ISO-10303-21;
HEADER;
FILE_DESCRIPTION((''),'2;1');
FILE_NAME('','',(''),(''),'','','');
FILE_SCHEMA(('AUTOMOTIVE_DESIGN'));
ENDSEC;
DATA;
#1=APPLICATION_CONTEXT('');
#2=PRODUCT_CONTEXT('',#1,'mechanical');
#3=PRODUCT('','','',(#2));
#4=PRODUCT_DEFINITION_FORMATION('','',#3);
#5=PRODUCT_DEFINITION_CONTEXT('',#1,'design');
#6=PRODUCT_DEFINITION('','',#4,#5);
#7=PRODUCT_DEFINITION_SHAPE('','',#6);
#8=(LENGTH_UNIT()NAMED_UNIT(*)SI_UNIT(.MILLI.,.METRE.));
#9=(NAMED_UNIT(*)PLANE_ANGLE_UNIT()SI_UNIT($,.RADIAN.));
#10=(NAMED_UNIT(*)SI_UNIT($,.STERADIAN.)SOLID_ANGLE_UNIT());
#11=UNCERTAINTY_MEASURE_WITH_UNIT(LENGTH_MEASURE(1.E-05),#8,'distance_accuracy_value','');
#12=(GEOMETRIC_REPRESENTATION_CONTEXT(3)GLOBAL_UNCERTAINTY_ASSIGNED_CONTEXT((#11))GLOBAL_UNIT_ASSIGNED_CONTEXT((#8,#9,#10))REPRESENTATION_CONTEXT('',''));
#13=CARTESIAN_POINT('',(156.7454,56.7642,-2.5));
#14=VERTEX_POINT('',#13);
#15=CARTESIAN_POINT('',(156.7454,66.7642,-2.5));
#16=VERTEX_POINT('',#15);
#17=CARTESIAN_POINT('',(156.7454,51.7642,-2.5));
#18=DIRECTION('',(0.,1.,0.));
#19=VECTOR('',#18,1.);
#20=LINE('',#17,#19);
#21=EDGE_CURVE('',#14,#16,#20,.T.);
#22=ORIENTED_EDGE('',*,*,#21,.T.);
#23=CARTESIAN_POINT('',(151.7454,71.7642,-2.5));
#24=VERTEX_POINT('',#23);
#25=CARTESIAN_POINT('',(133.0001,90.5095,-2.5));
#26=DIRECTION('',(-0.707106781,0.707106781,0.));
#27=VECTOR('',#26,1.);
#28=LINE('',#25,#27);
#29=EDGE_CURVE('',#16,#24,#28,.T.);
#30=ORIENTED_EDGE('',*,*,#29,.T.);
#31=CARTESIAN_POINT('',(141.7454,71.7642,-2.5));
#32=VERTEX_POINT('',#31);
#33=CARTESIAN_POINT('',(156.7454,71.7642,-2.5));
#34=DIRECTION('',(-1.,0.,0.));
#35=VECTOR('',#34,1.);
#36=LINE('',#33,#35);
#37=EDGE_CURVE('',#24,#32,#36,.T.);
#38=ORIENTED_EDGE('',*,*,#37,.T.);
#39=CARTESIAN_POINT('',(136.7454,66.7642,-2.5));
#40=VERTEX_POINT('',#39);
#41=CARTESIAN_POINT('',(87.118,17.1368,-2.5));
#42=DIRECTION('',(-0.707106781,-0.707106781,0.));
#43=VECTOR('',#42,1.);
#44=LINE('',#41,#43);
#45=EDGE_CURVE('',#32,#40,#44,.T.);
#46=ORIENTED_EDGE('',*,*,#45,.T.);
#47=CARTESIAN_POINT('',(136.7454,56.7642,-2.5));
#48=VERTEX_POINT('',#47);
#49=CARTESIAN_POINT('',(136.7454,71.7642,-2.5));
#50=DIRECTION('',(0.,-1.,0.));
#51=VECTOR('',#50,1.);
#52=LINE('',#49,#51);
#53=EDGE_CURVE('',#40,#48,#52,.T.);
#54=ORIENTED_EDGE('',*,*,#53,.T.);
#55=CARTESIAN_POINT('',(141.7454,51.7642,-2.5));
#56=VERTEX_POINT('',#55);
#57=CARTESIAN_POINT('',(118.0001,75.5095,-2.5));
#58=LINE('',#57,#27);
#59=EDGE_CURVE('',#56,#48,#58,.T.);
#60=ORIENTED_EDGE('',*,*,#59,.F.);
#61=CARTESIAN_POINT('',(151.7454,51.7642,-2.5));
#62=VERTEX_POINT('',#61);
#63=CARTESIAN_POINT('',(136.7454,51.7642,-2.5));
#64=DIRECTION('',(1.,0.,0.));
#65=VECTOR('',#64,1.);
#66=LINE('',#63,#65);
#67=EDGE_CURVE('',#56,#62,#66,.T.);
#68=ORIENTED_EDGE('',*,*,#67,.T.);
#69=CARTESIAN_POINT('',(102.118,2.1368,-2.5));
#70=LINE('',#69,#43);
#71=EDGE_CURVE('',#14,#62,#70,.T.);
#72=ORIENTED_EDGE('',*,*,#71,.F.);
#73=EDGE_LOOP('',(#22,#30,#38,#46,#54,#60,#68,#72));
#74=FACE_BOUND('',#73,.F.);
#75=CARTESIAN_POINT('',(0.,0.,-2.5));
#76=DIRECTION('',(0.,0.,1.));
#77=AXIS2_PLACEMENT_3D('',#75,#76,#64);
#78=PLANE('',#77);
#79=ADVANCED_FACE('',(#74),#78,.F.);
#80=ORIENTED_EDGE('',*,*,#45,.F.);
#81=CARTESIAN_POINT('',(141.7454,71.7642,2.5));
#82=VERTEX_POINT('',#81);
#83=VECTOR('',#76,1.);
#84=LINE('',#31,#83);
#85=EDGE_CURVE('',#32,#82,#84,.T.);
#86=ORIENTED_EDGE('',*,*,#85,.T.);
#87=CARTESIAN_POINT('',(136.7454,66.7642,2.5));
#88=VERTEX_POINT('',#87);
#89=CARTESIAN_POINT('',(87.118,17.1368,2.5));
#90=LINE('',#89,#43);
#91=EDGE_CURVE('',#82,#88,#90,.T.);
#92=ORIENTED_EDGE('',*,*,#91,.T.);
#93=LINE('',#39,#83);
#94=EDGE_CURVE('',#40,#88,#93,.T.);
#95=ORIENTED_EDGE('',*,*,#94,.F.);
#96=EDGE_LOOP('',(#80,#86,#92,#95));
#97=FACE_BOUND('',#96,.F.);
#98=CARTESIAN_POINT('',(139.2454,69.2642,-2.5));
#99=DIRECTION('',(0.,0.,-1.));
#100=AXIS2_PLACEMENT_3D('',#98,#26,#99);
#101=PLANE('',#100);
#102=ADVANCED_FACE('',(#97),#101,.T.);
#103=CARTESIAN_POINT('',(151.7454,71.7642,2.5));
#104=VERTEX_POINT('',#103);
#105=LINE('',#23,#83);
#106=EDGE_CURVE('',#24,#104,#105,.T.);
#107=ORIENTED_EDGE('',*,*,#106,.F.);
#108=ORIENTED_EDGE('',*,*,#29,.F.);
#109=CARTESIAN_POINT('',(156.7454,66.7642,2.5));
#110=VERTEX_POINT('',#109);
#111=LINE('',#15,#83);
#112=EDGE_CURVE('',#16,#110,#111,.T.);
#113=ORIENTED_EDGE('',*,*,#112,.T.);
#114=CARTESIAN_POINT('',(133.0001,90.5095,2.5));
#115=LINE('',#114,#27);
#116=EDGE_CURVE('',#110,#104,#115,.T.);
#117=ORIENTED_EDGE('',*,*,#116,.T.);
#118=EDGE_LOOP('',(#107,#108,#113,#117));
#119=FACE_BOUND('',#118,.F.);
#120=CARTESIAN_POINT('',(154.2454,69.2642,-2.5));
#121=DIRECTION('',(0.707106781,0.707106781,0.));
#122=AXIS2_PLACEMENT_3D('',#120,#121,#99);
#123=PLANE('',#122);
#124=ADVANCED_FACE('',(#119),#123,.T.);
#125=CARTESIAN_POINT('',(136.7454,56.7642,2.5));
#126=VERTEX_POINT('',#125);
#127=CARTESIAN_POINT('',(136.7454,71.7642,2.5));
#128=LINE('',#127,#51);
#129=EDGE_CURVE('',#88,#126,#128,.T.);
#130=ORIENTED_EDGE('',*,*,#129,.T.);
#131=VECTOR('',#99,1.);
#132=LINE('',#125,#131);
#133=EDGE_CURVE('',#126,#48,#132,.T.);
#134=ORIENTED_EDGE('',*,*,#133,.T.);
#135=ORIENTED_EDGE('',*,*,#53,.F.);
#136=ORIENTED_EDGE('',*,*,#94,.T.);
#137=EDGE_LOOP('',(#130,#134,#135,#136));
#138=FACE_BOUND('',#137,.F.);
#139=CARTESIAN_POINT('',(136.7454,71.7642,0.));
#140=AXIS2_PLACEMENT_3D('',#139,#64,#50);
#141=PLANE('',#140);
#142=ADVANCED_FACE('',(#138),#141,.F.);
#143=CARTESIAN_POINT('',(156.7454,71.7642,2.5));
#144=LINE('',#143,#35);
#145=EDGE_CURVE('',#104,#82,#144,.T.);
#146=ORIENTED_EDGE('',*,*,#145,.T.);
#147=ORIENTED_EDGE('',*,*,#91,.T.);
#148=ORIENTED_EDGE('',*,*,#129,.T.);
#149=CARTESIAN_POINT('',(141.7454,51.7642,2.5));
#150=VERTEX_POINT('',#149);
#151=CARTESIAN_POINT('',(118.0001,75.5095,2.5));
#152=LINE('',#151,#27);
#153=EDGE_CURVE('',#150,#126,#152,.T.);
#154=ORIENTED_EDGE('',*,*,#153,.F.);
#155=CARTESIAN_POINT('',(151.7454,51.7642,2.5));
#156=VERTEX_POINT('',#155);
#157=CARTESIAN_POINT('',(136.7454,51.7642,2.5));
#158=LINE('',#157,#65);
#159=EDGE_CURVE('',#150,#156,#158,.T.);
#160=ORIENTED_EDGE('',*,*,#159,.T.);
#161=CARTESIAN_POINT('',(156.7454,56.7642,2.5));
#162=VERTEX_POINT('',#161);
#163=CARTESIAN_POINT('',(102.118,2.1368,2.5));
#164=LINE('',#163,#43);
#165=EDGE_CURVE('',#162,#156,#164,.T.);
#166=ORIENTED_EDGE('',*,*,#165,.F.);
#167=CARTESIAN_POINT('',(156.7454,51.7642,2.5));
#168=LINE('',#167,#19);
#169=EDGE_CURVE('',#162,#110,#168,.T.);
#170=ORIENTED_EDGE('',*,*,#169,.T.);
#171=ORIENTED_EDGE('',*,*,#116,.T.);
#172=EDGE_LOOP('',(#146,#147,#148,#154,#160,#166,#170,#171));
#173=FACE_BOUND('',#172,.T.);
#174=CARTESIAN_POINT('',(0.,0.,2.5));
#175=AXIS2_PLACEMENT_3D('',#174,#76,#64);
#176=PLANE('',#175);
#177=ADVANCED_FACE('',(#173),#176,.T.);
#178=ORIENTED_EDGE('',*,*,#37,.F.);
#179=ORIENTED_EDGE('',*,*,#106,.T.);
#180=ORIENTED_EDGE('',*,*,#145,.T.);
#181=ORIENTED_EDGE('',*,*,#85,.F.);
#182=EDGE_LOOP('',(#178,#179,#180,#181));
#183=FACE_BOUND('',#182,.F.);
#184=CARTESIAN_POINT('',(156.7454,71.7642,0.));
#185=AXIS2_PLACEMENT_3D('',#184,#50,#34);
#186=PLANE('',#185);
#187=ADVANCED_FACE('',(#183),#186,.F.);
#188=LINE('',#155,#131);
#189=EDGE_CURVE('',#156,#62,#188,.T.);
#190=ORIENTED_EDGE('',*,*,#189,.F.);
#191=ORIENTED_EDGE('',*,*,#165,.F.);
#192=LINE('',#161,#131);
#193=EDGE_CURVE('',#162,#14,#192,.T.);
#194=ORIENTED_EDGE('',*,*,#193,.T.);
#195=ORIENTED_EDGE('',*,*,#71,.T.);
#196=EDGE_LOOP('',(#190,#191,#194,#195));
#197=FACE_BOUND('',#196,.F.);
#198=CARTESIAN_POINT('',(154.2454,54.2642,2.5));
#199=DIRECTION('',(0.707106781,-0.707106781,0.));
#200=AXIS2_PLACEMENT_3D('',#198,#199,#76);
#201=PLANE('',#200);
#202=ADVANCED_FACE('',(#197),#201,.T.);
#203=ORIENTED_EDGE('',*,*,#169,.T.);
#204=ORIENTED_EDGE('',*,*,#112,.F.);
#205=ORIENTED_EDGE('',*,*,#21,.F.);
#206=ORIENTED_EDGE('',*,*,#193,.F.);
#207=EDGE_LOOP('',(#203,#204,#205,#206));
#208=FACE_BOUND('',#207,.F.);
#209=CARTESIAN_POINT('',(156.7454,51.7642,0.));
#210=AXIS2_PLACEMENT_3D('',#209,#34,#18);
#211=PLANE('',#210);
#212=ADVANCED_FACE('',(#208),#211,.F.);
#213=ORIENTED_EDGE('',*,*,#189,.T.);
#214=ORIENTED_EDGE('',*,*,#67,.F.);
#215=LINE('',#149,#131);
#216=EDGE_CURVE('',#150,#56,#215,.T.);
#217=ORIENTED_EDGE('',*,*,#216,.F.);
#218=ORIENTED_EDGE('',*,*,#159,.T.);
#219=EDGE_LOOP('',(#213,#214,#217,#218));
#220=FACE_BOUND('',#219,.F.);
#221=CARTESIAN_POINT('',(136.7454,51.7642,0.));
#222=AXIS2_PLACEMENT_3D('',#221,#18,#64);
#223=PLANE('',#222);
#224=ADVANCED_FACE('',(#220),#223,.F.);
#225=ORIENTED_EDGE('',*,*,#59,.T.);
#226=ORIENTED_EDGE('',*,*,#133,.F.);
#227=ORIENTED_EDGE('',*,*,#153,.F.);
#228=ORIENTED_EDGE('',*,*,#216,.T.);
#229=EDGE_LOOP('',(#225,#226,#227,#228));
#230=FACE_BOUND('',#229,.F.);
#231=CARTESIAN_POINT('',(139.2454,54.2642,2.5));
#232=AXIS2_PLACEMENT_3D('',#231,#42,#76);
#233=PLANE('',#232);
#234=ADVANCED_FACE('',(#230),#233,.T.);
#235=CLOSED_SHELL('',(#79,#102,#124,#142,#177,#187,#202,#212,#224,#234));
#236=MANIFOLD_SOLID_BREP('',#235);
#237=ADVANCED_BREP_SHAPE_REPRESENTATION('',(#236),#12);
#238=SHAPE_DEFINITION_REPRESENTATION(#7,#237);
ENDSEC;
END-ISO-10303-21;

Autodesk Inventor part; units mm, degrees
ref_plane "YZ Plane" through (0, 0, 0) normal (1, 0, 0) x (0, 1, 0)
ref_plane "XZ Plane" through (0, 0, 0) normal (0, 1, 0) x (-1, 0, 0)
ref_plane "XY Plane" through (0, 0, 0) normal (0, 0, 1) x (1, 0, 0)
sketch "Boceto1" plane through (0, 0, 0) normal (0, 0, 1) x (1, 0, 0)
  line L0 (156.7454, 71.7642) -> (136.7454, 71.7642)
  line L1 (136.7454, 71.7642) -> (136.7454, 51.7642)
  line L2 (136.7454, 51.7642) -> (156.7454, 51.7642)
  line L3 (156.7454, 51.7642) -> (156.7454, 71.7642)
  point P0 (0, 0)
  dimension "d0" = 20
  dimension "d1" = 20
extrude "Extrusión1" add sketch "Boceto1" along normal mid plane 5
chamfer "Chaflán1" distance 5 angle 45 4 edges at (156.7454, 71.7642, 0) (136.7454, 71.7642, 0) (136.7454, 51.7642, 0) (156.7454, 51.7642, 0)
equation "\"Radio_pliegue\" = Grosor"
equation "\"Anchura_desahogo_plegado\" = Grosor"
equation "\"Profundidad_desahogo_plegado\" = 0.5 * Grosor"
equation "\"Tamaño_destalonado\" = 4 * Grosor"
equation "\"Remanente_mínimo\" = 2 * Grosor"
equation "\"Radiodetransición\" = Radio_pliegue"
equation "\"Tamaño_de_radio_de_Jacobi\" = Radio_pliegue"
equation "\"TamañoSeparación\" = Grosor"
equation "\"Grosor\" = 0.5"
